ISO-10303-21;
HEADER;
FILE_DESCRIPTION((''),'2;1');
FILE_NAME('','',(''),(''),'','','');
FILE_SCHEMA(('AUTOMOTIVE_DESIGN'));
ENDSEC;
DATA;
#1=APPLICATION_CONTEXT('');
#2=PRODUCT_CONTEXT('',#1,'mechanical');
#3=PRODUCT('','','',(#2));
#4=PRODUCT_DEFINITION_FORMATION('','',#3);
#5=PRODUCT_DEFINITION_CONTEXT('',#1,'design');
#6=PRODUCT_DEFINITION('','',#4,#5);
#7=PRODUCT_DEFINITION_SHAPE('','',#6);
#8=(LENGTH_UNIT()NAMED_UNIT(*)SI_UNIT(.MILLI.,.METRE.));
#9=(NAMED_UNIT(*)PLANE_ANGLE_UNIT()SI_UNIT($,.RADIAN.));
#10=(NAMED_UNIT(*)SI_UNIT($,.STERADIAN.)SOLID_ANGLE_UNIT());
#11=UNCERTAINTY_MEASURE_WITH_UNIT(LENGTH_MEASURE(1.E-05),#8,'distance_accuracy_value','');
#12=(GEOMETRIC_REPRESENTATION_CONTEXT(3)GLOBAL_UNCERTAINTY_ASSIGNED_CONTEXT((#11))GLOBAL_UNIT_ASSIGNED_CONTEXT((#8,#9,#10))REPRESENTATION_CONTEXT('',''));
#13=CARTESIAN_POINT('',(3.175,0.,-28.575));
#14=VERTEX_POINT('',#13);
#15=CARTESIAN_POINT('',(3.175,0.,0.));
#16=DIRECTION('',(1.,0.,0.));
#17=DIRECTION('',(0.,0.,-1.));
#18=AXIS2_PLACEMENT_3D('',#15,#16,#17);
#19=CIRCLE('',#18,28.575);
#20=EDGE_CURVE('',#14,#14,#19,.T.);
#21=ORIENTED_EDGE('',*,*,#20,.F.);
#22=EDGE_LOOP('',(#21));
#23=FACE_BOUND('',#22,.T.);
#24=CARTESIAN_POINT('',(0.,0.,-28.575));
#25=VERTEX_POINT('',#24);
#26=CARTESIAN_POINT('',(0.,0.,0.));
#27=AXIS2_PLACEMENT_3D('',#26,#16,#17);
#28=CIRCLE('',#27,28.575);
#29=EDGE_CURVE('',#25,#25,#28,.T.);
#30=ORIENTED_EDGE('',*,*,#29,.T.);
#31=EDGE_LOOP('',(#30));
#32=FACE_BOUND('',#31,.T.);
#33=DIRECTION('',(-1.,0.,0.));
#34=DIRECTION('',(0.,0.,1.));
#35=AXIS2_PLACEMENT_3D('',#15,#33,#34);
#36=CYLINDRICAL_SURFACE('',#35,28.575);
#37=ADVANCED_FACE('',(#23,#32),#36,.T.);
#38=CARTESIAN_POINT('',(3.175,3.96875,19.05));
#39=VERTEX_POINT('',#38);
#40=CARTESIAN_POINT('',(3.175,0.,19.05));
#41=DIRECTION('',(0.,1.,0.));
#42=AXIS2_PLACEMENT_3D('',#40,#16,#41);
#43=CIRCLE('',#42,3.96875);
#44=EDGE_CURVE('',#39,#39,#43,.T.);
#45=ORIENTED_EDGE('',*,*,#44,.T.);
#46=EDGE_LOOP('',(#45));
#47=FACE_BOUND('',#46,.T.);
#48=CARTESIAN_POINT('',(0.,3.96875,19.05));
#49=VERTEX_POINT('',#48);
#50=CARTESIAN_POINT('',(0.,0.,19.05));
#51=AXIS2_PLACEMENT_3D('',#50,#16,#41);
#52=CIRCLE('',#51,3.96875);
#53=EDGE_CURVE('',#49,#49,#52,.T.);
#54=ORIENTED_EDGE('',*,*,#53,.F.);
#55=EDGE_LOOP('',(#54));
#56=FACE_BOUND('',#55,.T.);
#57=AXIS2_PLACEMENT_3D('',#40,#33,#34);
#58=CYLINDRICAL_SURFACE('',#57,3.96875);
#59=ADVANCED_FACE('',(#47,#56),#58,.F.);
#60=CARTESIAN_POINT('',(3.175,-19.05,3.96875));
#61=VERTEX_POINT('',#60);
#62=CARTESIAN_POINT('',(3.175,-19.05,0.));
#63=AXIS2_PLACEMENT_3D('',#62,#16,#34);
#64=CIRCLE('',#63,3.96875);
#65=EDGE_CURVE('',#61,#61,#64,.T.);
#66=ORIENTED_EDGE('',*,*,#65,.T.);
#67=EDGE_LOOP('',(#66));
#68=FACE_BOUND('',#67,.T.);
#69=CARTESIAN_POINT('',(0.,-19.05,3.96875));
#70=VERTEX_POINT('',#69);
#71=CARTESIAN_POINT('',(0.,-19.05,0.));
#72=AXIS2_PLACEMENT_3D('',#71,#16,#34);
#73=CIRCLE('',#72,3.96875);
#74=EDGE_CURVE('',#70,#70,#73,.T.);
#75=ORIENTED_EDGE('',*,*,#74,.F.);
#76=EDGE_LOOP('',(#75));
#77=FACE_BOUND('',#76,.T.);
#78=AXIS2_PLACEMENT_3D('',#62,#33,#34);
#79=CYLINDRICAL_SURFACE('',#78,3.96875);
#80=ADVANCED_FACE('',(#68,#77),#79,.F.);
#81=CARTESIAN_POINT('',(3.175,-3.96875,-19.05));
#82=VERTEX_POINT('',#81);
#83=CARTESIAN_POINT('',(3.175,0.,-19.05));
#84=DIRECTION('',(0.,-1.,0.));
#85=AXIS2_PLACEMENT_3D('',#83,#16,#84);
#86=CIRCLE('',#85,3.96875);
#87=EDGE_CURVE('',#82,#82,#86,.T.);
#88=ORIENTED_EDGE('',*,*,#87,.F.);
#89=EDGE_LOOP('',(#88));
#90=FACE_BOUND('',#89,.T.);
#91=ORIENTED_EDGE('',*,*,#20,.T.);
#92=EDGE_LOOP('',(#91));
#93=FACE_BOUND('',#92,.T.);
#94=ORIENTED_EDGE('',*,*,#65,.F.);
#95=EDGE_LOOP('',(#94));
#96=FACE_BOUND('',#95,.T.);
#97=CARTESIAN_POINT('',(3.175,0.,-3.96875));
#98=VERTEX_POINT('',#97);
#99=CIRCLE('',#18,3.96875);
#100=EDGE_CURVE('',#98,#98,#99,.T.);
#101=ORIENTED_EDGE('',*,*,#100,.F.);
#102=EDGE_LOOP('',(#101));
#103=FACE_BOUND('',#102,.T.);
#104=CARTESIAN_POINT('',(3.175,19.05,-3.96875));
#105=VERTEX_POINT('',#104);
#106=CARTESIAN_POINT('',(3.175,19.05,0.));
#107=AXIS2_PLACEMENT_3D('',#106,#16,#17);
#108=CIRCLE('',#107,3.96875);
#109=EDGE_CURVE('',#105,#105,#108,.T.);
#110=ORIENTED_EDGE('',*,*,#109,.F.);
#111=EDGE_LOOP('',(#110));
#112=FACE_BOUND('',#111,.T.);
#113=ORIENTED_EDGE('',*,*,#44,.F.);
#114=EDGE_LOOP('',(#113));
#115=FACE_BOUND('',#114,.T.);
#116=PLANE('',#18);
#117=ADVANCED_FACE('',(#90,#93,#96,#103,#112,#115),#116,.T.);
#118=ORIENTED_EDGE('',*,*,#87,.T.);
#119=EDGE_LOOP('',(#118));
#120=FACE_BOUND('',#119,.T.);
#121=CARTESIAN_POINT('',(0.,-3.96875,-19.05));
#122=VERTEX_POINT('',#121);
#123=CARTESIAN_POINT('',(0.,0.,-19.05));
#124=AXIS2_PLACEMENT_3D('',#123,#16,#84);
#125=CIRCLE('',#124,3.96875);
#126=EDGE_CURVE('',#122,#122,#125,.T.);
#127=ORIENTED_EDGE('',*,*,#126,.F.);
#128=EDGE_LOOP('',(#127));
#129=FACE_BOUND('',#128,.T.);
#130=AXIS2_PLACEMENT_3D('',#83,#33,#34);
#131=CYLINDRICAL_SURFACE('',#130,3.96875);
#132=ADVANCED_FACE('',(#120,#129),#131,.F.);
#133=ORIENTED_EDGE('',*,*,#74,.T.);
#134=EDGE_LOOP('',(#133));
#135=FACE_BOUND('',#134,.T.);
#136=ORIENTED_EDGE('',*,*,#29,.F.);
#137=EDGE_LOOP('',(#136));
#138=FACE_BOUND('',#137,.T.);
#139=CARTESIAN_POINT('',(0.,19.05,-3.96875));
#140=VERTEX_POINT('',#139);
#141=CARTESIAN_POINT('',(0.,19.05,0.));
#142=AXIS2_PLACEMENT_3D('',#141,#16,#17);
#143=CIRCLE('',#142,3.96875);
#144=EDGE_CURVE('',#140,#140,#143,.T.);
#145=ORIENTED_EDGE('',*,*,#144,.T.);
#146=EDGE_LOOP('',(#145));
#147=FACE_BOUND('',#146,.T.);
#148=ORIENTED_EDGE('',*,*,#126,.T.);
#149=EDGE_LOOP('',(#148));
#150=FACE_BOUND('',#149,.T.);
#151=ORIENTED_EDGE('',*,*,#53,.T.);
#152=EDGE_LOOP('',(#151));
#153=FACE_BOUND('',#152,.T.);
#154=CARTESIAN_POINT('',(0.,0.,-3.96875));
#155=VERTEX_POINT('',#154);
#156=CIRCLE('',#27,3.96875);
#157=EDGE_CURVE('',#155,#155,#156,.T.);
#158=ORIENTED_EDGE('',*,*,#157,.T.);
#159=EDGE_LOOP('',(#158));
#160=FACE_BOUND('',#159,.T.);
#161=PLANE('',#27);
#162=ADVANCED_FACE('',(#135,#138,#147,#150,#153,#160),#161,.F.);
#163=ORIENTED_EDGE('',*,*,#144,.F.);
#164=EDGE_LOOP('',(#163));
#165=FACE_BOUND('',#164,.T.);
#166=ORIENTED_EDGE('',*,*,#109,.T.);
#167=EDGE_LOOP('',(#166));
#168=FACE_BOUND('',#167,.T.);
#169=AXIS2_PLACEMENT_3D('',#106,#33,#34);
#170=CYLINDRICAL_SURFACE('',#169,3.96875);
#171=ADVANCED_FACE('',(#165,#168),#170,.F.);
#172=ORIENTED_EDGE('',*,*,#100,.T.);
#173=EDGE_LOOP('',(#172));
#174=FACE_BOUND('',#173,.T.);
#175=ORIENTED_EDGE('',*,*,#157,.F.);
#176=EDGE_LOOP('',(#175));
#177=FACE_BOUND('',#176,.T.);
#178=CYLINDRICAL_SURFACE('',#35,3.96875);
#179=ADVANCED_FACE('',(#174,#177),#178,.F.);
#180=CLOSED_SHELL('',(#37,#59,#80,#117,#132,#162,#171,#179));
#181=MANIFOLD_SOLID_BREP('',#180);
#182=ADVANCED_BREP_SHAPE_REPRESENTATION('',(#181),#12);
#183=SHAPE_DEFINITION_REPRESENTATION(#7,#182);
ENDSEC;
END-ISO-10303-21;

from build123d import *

# Parameters (mm, degrees)
SKETCH1_R           = 28.575
SKETCH1_R_2         = 3.96875
BOSS_EXTRUDE1_DEPTH = 3.175
SKETCH2_R           = 3.96875
CUT_EXTRUDE1_DEPTH  = 41.535686438
CIRPATTERN1_COUNT   = 4


with BuildPart() as part:
    # Sketch1 → Boss-Extrude1 (new body)
    with BuildSketch(Plane(origin=(0, 0, 0), x_dir=(0, 0, -1), z_dir=(1, 0, 0))):
        Circle(SKETCH1_R)
        Circle(SKETCH1_R_2, mode=Mode.SUBTRACT)
    extrude(amount=BOSS_EXTRUDE1_DEPTH)

    # Sketch2 → Cut-Extrude1 (cut, through all)
    with BuildSketch(Plane(origin=(0, 0, 0), x_dir=(0, 0, -1), z_dir=(1, 0, 0))):
        with Locations((0, 19.05)):
            Circle(SKETCH2_R)
    cut_extrude1 = extrude(amount=CUT_EXTRUDE1_DEPTH, mode=Mode.SUBTRACT)

    # CirPattern1: Cut-Extrude1 ×4 about axis
    cirpattern1_axis = Axis((0, 0, 0), (1, 0, 0))
    for i in range(1, CIRPATTERN1_COUNT):
        add(cut_extrude1.rotate(cirpattern1_axis, i * 360 / CIRPATTERN1_COUNT), mode=Mode.SUBTRACT)


solid = part.part
